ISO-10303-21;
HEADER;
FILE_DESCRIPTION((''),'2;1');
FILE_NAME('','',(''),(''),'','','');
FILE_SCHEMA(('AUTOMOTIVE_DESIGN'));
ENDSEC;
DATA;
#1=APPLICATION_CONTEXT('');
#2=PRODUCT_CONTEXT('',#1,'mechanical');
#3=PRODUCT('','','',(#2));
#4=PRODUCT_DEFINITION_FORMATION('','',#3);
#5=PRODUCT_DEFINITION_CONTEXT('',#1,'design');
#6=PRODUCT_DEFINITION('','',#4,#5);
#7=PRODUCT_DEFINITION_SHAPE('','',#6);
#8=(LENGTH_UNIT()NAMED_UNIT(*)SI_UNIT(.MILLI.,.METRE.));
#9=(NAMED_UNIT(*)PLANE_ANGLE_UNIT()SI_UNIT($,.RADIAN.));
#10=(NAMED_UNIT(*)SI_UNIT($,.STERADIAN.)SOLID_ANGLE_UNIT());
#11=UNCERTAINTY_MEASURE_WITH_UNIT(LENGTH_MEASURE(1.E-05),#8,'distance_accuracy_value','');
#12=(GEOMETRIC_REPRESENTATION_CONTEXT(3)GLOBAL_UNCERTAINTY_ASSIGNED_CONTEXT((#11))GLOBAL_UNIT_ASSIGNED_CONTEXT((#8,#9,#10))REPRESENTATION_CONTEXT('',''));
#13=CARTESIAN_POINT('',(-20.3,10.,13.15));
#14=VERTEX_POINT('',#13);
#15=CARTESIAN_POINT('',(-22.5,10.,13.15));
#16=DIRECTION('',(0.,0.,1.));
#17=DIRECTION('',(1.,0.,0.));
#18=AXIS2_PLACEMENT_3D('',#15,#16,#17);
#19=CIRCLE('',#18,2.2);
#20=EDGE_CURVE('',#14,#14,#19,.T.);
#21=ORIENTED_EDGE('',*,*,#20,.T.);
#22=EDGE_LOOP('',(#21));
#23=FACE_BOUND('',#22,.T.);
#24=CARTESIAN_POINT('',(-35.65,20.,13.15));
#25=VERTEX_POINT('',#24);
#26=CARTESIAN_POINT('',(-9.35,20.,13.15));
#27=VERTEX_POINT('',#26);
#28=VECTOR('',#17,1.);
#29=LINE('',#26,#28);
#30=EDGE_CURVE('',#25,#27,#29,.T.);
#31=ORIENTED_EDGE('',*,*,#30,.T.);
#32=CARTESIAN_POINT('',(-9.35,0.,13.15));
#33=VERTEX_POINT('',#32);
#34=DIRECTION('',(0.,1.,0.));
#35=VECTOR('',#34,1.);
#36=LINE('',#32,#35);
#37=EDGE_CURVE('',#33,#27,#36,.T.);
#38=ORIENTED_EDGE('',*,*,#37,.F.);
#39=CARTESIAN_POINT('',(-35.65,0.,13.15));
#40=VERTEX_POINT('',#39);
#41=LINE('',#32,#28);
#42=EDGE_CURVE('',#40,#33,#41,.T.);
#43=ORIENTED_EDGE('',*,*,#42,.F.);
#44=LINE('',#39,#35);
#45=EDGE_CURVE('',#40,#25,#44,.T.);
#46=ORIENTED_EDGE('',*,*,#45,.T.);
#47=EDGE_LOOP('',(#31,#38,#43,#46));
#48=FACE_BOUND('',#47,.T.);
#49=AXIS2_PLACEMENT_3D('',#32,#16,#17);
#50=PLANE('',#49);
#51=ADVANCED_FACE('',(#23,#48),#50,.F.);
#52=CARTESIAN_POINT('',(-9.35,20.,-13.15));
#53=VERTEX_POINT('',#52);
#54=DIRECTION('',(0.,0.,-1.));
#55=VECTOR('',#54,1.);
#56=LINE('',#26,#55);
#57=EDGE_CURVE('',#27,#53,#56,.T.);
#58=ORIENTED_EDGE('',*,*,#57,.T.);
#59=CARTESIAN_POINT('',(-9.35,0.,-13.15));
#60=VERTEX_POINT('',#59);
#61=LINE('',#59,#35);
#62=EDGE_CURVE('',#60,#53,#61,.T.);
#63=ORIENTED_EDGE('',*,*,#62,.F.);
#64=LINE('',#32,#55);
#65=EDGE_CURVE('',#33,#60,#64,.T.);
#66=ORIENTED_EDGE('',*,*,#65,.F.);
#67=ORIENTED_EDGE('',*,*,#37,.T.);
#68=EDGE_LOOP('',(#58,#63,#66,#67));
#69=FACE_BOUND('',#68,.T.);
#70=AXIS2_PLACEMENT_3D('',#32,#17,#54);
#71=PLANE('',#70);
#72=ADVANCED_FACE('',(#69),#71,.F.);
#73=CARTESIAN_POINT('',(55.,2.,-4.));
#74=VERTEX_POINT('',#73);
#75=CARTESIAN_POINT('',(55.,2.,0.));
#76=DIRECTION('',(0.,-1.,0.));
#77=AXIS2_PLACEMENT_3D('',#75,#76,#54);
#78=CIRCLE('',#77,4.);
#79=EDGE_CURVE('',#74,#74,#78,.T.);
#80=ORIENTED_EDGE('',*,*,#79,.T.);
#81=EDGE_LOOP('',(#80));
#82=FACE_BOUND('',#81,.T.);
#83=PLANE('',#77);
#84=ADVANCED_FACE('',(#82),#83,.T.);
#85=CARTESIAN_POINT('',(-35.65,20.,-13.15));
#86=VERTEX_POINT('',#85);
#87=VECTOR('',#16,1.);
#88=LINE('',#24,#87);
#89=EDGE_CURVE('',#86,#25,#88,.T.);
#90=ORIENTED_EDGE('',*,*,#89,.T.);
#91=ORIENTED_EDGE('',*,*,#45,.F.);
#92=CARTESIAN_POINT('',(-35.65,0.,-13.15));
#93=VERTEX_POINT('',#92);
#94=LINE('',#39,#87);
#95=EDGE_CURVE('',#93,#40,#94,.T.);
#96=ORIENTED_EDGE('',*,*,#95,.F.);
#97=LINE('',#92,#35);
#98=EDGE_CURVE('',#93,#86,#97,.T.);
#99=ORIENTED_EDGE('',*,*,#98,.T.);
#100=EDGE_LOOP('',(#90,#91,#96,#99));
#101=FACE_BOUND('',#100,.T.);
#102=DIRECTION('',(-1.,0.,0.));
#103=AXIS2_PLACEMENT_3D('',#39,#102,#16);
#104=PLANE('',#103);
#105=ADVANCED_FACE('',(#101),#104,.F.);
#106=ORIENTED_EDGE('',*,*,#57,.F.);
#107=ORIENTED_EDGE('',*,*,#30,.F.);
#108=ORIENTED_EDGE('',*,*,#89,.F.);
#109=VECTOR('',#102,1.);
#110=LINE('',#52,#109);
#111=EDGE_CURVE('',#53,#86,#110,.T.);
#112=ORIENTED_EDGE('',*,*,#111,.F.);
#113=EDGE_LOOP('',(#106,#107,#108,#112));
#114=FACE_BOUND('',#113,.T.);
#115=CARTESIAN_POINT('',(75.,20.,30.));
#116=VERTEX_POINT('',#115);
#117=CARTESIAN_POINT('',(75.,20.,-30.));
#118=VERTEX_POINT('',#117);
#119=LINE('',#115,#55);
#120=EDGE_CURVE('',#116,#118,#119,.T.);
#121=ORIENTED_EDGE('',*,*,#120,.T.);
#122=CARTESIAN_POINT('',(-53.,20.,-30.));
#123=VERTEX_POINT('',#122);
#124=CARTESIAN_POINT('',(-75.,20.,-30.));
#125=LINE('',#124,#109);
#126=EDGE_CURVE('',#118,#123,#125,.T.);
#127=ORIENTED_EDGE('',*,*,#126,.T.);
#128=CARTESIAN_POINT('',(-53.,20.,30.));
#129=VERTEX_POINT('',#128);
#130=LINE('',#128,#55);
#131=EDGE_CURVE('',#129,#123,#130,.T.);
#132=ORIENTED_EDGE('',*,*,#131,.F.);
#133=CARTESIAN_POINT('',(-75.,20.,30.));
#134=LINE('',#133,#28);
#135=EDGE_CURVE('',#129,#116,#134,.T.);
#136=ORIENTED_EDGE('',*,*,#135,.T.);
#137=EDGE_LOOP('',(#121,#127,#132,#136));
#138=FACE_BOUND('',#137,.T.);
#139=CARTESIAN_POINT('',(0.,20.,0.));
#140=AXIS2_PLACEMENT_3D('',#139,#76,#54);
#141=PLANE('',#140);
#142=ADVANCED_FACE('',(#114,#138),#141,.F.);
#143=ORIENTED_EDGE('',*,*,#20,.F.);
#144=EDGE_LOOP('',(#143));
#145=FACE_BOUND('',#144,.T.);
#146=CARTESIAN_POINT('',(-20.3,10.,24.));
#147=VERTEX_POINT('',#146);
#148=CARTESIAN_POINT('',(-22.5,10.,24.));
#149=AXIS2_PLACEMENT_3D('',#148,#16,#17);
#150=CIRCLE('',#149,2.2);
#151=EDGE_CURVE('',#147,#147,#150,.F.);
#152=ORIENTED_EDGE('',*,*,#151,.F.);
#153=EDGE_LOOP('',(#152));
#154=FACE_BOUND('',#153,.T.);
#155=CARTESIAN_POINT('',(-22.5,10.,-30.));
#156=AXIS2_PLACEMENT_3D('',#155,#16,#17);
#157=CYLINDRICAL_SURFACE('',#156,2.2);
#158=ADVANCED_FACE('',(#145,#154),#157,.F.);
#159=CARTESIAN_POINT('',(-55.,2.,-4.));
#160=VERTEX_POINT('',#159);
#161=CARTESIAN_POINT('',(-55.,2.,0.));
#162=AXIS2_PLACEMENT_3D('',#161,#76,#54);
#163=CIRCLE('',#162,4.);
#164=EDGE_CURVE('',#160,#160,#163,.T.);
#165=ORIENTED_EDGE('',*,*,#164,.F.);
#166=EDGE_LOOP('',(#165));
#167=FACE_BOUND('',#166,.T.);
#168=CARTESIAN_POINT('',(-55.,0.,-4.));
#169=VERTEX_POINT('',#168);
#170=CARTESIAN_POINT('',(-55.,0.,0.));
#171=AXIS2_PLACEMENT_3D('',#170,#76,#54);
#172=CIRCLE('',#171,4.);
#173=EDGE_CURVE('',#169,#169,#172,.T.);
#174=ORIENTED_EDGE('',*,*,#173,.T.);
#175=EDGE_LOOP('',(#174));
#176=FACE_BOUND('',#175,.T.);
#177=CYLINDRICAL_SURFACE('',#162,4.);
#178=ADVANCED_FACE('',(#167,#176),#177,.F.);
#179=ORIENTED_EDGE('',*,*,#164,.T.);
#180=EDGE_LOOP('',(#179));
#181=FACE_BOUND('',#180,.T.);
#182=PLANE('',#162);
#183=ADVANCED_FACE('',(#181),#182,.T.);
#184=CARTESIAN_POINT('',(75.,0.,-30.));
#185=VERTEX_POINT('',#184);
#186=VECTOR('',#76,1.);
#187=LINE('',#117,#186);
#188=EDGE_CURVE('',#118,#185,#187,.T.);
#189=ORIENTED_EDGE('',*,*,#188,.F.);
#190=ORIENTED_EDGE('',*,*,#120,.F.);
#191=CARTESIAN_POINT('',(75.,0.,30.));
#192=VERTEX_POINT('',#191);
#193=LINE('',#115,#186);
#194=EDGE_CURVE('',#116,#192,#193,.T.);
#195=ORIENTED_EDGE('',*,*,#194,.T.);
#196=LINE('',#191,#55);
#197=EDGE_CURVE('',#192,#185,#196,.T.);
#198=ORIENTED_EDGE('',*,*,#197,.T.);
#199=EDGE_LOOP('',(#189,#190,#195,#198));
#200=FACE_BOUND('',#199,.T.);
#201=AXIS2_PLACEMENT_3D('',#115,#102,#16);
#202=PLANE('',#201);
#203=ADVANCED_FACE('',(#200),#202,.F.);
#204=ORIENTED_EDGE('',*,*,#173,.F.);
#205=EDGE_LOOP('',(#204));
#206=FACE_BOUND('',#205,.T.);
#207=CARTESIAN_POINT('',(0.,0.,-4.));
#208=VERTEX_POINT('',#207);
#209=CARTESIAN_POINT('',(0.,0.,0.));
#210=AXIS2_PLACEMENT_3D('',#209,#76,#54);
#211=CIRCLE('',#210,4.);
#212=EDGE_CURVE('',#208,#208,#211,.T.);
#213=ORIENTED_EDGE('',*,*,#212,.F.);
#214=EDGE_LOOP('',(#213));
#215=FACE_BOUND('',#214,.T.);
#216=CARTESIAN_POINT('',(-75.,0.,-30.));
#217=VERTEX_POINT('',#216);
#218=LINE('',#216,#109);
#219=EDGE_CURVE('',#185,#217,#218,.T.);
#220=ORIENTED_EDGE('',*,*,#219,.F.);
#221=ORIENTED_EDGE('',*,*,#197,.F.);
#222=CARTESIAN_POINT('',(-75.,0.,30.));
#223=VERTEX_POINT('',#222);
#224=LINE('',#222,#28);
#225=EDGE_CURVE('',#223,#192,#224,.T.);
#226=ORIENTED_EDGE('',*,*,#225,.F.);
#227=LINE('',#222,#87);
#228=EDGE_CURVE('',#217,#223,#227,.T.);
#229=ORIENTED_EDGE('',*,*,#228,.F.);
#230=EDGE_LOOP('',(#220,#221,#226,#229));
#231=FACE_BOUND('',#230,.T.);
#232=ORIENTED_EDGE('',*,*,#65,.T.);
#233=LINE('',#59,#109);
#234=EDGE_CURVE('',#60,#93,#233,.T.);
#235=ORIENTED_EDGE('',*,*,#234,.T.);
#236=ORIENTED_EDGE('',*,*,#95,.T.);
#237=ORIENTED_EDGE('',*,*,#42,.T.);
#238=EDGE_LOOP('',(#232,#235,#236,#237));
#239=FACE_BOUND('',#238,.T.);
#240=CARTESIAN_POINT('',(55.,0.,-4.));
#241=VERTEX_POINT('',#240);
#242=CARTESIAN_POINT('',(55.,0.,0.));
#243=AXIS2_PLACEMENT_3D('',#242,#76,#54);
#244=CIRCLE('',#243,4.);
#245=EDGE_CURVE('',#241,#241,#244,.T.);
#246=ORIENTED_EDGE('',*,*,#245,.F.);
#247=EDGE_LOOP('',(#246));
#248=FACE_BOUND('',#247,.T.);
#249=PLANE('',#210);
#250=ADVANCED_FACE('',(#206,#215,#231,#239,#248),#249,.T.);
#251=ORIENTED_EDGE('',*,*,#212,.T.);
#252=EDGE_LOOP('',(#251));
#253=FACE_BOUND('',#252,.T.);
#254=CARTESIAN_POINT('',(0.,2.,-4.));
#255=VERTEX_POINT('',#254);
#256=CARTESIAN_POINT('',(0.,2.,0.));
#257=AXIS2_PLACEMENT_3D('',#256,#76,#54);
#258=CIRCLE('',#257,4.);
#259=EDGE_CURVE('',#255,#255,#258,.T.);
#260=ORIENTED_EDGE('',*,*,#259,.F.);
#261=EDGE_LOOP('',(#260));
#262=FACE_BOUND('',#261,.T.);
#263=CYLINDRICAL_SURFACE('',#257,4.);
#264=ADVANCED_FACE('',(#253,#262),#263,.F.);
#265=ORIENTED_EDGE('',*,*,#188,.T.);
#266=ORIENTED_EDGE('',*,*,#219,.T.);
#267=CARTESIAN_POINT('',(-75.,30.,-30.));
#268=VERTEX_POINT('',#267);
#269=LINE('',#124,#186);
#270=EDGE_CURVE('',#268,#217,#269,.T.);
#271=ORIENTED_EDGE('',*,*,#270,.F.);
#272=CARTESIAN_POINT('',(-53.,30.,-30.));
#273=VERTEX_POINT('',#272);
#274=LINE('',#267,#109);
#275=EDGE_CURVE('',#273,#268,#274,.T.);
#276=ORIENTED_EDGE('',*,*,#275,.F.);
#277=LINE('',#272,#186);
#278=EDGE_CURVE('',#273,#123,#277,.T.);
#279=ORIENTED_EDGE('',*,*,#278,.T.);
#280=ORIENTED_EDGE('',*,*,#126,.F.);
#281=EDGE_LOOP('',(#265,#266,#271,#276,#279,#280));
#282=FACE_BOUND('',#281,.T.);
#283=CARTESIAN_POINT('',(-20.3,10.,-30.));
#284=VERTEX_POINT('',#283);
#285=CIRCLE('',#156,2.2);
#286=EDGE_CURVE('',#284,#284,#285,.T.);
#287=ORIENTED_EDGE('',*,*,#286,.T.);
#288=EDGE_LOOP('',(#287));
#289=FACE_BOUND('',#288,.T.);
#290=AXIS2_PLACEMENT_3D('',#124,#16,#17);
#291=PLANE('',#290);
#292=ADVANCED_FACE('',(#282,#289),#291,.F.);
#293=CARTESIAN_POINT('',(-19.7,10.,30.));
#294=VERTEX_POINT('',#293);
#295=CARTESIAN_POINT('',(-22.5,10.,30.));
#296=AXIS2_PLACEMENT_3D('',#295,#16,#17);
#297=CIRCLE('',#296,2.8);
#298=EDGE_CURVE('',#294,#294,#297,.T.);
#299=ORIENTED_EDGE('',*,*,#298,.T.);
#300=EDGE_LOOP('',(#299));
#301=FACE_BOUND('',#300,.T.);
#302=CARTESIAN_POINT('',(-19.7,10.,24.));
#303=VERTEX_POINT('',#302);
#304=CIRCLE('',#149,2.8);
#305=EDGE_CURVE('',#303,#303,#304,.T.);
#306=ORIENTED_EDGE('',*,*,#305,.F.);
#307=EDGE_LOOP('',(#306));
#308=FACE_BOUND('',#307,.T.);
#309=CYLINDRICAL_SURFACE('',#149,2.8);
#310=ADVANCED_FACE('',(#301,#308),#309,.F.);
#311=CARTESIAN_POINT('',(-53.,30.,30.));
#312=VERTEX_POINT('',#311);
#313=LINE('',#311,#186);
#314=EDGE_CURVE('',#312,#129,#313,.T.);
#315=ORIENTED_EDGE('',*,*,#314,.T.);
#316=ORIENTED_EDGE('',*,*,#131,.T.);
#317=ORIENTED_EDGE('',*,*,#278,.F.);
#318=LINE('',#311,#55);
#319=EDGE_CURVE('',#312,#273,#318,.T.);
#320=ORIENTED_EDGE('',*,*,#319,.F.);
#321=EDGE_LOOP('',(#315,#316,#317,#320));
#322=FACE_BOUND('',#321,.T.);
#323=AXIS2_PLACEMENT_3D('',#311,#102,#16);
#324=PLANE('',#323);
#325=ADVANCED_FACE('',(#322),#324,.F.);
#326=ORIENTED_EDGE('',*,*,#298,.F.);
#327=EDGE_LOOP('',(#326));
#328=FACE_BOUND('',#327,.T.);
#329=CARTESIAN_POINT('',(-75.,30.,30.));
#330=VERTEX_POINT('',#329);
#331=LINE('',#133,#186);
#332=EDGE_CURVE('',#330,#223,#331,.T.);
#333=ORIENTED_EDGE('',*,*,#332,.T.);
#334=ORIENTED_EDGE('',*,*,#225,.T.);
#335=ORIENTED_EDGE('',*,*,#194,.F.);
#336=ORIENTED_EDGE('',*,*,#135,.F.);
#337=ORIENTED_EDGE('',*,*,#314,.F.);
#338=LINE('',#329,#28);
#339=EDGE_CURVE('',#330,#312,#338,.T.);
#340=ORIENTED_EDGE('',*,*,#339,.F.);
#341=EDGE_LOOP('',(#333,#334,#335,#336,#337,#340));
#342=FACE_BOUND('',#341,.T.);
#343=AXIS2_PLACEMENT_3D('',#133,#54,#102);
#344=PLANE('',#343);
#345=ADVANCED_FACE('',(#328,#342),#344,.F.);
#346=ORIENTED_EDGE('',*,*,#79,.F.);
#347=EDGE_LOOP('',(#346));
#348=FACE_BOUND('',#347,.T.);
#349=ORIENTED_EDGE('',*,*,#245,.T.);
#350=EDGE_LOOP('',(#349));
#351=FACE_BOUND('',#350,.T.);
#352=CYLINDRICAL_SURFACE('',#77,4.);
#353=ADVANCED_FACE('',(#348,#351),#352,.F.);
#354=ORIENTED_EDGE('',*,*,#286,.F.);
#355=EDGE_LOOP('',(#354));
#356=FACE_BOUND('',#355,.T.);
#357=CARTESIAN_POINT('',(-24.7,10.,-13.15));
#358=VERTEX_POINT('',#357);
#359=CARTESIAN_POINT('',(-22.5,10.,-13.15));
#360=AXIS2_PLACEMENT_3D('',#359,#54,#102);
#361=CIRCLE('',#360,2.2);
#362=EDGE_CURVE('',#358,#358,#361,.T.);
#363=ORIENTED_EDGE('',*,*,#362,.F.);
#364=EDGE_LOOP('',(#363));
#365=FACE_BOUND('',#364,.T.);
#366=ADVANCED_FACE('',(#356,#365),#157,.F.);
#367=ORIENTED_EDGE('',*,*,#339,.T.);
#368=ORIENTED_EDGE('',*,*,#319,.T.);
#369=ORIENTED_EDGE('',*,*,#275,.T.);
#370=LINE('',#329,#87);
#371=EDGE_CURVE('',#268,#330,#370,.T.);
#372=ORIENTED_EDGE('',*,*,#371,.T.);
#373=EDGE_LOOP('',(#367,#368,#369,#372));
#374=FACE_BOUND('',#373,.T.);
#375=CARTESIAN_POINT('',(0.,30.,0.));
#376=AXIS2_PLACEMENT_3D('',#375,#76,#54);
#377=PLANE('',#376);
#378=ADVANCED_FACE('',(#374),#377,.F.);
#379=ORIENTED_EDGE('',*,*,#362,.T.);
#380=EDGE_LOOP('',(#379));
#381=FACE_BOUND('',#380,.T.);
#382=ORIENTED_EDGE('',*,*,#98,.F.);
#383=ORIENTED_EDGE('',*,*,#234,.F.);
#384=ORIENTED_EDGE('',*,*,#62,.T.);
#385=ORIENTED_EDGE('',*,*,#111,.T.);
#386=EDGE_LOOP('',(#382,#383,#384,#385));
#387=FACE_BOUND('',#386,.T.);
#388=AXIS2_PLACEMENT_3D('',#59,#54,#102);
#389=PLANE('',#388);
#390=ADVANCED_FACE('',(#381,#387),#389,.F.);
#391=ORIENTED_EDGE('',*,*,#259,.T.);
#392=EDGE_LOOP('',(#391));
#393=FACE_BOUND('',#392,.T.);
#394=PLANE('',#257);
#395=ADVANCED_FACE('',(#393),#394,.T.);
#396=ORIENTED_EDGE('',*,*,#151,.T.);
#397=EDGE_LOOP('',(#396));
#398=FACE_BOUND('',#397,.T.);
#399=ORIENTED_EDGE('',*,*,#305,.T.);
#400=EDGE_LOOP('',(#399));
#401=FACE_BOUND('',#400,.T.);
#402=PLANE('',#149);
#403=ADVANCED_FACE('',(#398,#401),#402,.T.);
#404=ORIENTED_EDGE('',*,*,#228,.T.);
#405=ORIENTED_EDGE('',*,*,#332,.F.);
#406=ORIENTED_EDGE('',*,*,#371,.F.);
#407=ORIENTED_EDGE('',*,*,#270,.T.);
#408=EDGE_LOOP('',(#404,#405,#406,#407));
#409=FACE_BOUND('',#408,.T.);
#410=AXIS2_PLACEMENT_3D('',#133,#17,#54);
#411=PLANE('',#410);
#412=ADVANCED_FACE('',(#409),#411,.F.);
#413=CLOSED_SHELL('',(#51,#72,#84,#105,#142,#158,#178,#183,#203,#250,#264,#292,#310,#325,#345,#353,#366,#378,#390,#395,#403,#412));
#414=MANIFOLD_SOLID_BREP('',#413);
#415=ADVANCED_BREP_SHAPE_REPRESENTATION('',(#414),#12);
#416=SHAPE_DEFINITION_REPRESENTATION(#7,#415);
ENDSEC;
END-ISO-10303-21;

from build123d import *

# Parameters (mm, degrees)
SKETCH1_W           = 150
SKETCH1_H           = 60
BOSS_EXTRUDE1_DEPTH = 20
SKETCH2_W           = 22
SKETCH2_H           = 60
BOSS_EXTRUDE2_DEPTH = 10
SKETCH3_W           = 26.3
SKETCH3_H           = 26.3
CUT_EXTRUDE1_DEPTH  = 84.216584885
SKETCH4_R           = 2.2
CUT_EXTRUDE2_DEPTH  = 101.623058987
SKETCH5_R           = 2.8
CUT_EXTRUDE3_DEPTH  = 6
SKETCH6_R           = 4
CUT_EXTRUDE4_DEPTH  = 2


with BuildPart() as part:
    # Sketch1 → Boss-Extrude1 (new body)
    with BuildSketch(Plane(origin=(0, 0, 0), x_dir=(1, 0, 0), z_dir=(0, 1, 0))):
        Rectangle(SKETCH1_W, SKETCH1_H)
    extrude(amount=BOSS_EXTRUDE1_DEPTH)

    # Sketch2 → Boss-Extrude2 (add)
    with BuildSketch(Plane(origin=(0, 20, 0), x_dir=(1, 0, 0), z_dir=(0, 1, 0))):
        with Locations((-64, 0)):
            Rectangle(SKETCH2_W, SKETCH2_H)
    extrude(amount=BOSS_EXTRUDE2_DEPTH)

    # Sketch3 → Cut-Extrude1 (cut, through all)
    with BuildSketch(Plane(origin=(0, 20, 0), x_dir=(1, 0, 0), z_dir=(0, 1, 0))):
        with Locations((-22.5, 0)):
            Rectangle(SKETCH3_W, SKETCH3_H)
    extrude(amount=-CUT_EXTRUDE1_DEPTH, mode=Mode.SUBTRACT)

    # Sketch4 → Cut-Extrude2 (cut, through all)
    with BuildSketch(Plane.XY.offset(30)):
        with Locations((-22.5, 10)):
            Circle(SKETCH4_R)
    extrude(amount=-CUT_EXTRUDE2_DEPTH, mode=Mode.SUBTRACT)

    # Sketch5 → Cut-Extrude3 (cut)
    with BuildSketch(Plane.XY.offset(30)):
        with Locations((-22.5, 10)):
            Circle(SKETCH5_R)
    extrude(amount=-CUT_EXTRUDE3_DEPTH, mode=Mode.SUBTRACT)

    # Sketch6 → Cut-Extrude4 (cut)
    with BuildSketch(Plane(origin=(0, 0, 0), x_dir=(-1, 0, 0), z_dir=(0, -1, 0))):
        with Locations(Location((0, 0, 0), (0, 0, 90))):
            Circle(SKETCH6_R)
        with Locations(Location((-55, 0, 0), (0, 0, 90))):
            Circle(SKETCH6_R)
        with Locations(Location((55, 0, 0), (0, 0, 90))):
            Circle(SKETCH6_R)
    extrude(amount=-CUT_EXTRUDE4_DEPTH, mode=Mode.SUBTRACT)


solid = part.part
